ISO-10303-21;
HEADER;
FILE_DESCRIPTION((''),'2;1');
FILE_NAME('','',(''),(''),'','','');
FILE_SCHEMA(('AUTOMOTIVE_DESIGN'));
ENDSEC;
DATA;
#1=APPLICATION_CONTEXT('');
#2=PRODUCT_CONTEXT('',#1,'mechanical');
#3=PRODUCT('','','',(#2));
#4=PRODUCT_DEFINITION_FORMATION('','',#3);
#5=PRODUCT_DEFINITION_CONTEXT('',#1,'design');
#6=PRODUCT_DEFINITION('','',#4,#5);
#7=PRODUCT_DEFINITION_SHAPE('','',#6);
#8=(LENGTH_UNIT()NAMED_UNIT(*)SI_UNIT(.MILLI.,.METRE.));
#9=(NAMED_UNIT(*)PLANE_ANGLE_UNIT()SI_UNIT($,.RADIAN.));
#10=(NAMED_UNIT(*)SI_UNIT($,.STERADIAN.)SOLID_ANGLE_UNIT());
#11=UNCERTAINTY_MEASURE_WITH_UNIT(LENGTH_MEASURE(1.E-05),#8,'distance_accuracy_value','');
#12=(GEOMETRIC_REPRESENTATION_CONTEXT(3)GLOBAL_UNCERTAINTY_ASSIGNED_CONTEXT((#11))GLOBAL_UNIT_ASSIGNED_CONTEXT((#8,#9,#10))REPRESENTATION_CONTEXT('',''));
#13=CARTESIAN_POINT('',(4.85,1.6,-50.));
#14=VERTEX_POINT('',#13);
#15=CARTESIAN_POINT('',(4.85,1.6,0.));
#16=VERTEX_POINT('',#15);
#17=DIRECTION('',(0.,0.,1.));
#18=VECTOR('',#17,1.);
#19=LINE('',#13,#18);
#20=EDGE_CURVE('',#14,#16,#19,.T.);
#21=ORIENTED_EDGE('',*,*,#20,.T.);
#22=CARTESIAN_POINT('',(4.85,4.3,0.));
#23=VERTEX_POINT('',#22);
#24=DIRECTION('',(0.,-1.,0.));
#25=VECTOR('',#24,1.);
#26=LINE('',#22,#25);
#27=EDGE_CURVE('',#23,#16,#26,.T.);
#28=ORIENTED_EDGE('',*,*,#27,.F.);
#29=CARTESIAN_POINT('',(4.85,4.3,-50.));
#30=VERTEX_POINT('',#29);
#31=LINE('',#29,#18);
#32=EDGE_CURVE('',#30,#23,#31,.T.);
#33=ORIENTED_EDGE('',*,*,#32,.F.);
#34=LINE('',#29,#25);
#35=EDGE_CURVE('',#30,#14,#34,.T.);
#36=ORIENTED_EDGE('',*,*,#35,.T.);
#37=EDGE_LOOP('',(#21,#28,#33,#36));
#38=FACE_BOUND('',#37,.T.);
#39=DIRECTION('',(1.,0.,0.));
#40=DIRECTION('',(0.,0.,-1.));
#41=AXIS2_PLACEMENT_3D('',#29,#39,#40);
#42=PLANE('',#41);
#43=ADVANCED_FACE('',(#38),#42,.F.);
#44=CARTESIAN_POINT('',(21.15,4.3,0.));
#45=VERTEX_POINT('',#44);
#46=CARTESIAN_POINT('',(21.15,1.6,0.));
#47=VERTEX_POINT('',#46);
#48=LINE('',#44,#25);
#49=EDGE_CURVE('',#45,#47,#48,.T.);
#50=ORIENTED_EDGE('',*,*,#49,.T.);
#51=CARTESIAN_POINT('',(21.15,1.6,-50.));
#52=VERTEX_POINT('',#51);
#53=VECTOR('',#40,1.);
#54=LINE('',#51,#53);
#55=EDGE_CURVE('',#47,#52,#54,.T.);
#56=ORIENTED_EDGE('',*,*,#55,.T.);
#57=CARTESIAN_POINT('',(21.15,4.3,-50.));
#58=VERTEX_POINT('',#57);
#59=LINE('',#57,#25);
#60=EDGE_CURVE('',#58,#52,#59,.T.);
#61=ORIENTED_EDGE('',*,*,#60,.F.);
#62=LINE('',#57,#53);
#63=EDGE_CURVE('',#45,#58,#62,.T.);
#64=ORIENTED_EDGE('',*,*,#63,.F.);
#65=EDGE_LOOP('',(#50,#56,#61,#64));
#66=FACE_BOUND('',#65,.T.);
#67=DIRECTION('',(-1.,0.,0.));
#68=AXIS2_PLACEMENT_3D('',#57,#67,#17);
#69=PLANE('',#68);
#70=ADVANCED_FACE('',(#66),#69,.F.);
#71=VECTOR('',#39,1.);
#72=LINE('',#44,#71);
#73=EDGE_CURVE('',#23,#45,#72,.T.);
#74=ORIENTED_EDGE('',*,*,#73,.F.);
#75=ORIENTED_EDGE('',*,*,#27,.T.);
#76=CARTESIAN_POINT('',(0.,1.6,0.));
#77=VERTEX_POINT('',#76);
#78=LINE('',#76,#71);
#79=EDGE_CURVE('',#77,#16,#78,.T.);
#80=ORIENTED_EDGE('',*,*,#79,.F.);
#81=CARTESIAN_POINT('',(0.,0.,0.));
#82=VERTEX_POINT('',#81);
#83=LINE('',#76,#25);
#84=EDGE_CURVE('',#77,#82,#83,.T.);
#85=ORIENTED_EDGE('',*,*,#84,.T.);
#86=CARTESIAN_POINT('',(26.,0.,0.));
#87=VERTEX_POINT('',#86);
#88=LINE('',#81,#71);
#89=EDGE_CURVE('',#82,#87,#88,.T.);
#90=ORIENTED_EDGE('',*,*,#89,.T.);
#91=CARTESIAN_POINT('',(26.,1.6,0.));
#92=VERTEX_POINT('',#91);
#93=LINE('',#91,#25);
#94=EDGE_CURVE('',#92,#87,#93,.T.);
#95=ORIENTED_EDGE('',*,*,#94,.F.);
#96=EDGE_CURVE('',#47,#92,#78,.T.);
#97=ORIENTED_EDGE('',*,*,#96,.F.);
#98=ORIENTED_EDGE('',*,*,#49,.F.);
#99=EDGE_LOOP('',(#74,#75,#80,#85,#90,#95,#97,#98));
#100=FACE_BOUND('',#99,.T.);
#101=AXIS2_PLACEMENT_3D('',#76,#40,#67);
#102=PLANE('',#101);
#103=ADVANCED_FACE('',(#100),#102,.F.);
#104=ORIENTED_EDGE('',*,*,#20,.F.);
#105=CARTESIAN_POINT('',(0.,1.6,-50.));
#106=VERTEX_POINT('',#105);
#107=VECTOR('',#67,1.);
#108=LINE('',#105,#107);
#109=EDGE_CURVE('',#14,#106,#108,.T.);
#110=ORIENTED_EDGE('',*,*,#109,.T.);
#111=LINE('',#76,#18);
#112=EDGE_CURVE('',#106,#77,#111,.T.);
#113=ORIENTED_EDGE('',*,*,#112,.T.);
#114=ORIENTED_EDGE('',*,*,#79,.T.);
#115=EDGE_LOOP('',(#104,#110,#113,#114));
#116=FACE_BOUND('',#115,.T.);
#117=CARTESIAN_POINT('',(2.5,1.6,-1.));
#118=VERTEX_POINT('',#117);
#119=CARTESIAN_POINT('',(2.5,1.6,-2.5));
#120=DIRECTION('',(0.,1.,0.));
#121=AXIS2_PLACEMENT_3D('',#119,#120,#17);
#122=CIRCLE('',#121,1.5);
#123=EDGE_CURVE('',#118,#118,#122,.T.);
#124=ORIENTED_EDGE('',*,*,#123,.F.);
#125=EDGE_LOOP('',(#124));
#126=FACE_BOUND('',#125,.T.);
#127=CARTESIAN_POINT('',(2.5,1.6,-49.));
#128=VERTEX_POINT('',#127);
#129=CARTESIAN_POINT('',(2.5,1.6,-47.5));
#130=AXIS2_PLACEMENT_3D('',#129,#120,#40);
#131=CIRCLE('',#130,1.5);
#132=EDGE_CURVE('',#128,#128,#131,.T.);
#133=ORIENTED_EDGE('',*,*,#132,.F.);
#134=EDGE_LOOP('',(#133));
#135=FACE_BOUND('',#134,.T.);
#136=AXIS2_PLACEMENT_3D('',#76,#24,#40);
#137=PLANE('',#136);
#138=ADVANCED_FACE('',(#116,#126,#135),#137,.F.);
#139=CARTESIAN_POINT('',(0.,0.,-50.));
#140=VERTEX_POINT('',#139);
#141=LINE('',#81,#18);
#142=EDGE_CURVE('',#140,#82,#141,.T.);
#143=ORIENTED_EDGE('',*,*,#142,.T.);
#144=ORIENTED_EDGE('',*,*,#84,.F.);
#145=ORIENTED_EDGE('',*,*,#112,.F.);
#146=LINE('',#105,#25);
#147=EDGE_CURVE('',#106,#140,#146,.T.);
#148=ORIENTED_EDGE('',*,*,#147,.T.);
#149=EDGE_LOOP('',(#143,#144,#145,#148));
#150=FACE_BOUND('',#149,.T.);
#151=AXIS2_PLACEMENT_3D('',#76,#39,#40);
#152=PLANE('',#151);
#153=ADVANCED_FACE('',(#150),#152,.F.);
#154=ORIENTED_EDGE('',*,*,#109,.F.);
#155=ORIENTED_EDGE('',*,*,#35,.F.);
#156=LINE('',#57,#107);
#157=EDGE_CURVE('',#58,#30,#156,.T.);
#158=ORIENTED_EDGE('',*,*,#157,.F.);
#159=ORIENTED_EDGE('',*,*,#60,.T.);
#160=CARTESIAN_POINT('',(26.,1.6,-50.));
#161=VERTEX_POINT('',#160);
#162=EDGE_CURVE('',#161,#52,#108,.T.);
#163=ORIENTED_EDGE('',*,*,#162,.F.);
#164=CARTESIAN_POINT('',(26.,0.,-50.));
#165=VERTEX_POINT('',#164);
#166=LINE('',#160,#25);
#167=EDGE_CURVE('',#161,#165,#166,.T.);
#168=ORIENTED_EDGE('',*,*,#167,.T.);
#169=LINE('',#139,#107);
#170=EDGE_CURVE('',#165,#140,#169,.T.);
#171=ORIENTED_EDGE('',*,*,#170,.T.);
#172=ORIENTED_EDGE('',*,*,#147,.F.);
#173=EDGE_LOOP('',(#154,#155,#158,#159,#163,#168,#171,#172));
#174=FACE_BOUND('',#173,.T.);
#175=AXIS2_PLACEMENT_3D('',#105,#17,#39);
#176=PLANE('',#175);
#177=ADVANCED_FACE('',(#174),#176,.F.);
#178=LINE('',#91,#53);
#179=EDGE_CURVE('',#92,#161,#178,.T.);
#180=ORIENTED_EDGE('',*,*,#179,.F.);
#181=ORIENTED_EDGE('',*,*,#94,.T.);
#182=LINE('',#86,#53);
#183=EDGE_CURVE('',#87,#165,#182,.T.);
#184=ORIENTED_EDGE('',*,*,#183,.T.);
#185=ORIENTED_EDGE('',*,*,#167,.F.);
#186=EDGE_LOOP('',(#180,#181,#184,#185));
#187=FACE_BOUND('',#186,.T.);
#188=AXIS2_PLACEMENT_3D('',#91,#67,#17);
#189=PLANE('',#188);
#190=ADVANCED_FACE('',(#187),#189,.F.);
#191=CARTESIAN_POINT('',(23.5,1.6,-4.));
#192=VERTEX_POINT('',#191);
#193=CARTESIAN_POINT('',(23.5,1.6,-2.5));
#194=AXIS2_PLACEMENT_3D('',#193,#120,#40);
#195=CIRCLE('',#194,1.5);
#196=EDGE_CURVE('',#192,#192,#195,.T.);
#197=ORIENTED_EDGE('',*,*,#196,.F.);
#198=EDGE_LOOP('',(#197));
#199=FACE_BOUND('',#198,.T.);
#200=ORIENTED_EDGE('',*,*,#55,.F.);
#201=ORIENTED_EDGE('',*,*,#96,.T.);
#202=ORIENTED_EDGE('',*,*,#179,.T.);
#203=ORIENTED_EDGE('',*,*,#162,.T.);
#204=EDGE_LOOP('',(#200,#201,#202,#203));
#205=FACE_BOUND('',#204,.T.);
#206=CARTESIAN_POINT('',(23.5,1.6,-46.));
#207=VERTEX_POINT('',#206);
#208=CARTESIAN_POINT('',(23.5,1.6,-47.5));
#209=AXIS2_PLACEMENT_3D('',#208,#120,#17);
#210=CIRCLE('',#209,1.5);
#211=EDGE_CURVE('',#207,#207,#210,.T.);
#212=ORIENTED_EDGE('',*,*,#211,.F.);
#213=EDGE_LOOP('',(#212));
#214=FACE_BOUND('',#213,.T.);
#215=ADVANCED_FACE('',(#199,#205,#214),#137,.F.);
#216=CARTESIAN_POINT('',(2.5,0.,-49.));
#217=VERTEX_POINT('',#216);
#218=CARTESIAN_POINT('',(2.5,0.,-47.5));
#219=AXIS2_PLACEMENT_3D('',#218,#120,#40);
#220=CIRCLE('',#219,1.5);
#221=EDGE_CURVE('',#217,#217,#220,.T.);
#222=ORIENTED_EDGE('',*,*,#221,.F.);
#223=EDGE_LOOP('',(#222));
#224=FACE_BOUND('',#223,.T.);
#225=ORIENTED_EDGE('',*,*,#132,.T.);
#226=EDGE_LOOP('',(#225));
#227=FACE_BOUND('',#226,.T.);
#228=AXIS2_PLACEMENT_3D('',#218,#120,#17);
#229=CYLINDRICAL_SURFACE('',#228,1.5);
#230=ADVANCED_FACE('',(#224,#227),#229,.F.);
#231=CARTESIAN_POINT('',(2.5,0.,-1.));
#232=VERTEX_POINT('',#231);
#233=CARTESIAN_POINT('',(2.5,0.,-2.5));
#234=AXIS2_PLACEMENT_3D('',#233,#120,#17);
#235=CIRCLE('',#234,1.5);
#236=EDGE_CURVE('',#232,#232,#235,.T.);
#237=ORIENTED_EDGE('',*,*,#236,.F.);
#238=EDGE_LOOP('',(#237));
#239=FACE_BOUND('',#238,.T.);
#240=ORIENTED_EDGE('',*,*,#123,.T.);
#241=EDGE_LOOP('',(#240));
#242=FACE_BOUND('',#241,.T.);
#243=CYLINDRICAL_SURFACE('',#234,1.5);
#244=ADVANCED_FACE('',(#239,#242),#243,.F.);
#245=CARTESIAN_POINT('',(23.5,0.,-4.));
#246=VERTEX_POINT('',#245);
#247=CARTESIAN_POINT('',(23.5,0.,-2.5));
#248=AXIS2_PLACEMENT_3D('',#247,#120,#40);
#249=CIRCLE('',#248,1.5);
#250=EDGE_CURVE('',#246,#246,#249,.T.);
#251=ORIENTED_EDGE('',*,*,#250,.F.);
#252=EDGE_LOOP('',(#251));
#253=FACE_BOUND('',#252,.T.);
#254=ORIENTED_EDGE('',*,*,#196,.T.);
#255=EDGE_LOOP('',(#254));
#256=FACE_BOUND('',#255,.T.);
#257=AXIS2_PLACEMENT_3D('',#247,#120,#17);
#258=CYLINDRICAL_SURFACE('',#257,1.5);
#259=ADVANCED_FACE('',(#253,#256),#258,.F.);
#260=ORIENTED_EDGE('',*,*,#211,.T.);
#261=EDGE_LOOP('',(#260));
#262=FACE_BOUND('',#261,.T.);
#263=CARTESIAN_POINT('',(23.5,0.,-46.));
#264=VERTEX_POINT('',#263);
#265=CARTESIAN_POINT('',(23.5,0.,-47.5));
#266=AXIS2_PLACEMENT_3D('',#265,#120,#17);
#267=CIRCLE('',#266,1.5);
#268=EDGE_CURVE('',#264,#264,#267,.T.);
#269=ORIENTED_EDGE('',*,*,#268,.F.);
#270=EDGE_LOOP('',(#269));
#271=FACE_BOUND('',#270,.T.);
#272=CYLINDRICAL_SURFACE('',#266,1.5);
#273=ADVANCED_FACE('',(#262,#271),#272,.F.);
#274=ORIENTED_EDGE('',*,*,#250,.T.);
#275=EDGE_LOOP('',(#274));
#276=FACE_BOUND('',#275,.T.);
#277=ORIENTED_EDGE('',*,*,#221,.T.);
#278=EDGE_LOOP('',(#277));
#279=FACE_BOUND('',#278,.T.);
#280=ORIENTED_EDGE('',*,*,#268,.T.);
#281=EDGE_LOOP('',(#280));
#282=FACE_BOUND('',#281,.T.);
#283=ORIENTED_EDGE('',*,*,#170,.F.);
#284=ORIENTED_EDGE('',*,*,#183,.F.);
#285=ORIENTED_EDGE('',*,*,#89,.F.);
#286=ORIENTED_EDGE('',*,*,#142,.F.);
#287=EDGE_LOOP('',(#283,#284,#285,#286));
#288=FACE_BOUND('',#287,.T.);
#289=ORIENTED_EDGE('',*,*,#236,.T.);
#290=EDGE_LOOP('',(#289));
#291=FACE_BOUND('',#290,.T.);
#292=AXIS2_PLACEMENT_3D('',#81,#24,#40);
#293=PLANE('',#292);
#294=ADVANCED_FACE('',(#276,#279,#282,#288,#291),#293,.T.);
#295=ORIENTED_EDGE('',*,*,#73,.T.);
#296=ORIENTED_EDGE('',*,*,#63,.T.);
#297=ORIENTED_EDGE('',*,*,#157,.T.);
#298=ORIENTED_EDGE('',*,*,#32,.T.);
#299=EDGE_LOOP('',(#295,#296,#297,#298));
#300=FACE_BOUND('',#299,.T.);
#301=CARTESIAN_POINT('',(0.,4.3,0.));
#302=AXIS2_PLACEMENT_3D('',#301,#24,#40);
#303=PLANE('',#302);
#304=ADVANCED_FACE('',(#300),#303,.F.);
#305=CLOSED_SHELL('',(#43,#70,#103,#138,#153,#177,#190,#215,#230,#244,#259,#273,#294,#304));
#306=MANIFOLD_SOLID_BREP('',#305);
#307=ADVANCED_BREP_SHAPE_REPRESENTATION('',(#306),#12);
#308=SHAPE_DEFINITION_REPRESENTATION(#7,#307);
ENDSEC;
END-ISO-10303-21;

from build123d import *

# Parameters (mm, degrees)
SKETCH1_W           = 26
SKETCH1_H           = 50
BOSS_EXTRUDE1_DEPTH = 1.6
SKETCH2_R           = 1.5
CUT_EXTRUDE1_DEPTH  = 57.37871939
SKETCH3_W           = 16.3
SKETCH3_H           = 50
BOSS_EXTRUDE2_DEPTH = 2.7


with BuildPart() as part:
    # Sketch1 → Boss-Extrude1 (new body)
    with BuildSketch(Plane(origin=(0, 0, 0), x_dir=(1, 0, 0), z_dir=(0, 1, 0))):
        with Locations((13, 25)):
            Rectangle(SKETCH1_W, SKETCH1_H)
    extrude(amount=BOSS_EXTRUDE1_DEPTH)

    # Sketch2 → Cut-Extrude1 (cut, through all)
    with BuildSketch(Plane(origin=(0, 1.6, 0), x_dir=(1, 0, 0), z_dir=(0, 1, 0))):
        with Locations(Location((2.5, 2.5, 0), (0, 0, 270))):
            Circle(SKETCH2_R)
        with Locations(Location((23.5, 2.5, 0), (0, 0, 90))):
            Circle(SKETCH2_R)
        with Locations(Location((23.5, 47.5, 0), (0, 0, 270))):
            Circle(SKETCH2_R)
        with Locations(Location((2.5, 47.5, 0), (0, 0, 90))):
            Circle(SKETCH2_R)
    extrude(amount=-CUT_EXTRUDE1_DEPTH, mode=Mode.SUBTRACT)

    # Sketch3 → Boss-Extrude2 (add)
    with BuildSketch(Plane(origin=(0, 1.6, 0), x_dir=(1, 0, 0), z_dir=(0, 1, 0))):
        with Locations((13, 25)):
            Rectangle(SKETCH3_W, SKETCH3_H)
    extrude(amount=BOSS_EXTRUDE2_DEPTH)


solid = part.part
